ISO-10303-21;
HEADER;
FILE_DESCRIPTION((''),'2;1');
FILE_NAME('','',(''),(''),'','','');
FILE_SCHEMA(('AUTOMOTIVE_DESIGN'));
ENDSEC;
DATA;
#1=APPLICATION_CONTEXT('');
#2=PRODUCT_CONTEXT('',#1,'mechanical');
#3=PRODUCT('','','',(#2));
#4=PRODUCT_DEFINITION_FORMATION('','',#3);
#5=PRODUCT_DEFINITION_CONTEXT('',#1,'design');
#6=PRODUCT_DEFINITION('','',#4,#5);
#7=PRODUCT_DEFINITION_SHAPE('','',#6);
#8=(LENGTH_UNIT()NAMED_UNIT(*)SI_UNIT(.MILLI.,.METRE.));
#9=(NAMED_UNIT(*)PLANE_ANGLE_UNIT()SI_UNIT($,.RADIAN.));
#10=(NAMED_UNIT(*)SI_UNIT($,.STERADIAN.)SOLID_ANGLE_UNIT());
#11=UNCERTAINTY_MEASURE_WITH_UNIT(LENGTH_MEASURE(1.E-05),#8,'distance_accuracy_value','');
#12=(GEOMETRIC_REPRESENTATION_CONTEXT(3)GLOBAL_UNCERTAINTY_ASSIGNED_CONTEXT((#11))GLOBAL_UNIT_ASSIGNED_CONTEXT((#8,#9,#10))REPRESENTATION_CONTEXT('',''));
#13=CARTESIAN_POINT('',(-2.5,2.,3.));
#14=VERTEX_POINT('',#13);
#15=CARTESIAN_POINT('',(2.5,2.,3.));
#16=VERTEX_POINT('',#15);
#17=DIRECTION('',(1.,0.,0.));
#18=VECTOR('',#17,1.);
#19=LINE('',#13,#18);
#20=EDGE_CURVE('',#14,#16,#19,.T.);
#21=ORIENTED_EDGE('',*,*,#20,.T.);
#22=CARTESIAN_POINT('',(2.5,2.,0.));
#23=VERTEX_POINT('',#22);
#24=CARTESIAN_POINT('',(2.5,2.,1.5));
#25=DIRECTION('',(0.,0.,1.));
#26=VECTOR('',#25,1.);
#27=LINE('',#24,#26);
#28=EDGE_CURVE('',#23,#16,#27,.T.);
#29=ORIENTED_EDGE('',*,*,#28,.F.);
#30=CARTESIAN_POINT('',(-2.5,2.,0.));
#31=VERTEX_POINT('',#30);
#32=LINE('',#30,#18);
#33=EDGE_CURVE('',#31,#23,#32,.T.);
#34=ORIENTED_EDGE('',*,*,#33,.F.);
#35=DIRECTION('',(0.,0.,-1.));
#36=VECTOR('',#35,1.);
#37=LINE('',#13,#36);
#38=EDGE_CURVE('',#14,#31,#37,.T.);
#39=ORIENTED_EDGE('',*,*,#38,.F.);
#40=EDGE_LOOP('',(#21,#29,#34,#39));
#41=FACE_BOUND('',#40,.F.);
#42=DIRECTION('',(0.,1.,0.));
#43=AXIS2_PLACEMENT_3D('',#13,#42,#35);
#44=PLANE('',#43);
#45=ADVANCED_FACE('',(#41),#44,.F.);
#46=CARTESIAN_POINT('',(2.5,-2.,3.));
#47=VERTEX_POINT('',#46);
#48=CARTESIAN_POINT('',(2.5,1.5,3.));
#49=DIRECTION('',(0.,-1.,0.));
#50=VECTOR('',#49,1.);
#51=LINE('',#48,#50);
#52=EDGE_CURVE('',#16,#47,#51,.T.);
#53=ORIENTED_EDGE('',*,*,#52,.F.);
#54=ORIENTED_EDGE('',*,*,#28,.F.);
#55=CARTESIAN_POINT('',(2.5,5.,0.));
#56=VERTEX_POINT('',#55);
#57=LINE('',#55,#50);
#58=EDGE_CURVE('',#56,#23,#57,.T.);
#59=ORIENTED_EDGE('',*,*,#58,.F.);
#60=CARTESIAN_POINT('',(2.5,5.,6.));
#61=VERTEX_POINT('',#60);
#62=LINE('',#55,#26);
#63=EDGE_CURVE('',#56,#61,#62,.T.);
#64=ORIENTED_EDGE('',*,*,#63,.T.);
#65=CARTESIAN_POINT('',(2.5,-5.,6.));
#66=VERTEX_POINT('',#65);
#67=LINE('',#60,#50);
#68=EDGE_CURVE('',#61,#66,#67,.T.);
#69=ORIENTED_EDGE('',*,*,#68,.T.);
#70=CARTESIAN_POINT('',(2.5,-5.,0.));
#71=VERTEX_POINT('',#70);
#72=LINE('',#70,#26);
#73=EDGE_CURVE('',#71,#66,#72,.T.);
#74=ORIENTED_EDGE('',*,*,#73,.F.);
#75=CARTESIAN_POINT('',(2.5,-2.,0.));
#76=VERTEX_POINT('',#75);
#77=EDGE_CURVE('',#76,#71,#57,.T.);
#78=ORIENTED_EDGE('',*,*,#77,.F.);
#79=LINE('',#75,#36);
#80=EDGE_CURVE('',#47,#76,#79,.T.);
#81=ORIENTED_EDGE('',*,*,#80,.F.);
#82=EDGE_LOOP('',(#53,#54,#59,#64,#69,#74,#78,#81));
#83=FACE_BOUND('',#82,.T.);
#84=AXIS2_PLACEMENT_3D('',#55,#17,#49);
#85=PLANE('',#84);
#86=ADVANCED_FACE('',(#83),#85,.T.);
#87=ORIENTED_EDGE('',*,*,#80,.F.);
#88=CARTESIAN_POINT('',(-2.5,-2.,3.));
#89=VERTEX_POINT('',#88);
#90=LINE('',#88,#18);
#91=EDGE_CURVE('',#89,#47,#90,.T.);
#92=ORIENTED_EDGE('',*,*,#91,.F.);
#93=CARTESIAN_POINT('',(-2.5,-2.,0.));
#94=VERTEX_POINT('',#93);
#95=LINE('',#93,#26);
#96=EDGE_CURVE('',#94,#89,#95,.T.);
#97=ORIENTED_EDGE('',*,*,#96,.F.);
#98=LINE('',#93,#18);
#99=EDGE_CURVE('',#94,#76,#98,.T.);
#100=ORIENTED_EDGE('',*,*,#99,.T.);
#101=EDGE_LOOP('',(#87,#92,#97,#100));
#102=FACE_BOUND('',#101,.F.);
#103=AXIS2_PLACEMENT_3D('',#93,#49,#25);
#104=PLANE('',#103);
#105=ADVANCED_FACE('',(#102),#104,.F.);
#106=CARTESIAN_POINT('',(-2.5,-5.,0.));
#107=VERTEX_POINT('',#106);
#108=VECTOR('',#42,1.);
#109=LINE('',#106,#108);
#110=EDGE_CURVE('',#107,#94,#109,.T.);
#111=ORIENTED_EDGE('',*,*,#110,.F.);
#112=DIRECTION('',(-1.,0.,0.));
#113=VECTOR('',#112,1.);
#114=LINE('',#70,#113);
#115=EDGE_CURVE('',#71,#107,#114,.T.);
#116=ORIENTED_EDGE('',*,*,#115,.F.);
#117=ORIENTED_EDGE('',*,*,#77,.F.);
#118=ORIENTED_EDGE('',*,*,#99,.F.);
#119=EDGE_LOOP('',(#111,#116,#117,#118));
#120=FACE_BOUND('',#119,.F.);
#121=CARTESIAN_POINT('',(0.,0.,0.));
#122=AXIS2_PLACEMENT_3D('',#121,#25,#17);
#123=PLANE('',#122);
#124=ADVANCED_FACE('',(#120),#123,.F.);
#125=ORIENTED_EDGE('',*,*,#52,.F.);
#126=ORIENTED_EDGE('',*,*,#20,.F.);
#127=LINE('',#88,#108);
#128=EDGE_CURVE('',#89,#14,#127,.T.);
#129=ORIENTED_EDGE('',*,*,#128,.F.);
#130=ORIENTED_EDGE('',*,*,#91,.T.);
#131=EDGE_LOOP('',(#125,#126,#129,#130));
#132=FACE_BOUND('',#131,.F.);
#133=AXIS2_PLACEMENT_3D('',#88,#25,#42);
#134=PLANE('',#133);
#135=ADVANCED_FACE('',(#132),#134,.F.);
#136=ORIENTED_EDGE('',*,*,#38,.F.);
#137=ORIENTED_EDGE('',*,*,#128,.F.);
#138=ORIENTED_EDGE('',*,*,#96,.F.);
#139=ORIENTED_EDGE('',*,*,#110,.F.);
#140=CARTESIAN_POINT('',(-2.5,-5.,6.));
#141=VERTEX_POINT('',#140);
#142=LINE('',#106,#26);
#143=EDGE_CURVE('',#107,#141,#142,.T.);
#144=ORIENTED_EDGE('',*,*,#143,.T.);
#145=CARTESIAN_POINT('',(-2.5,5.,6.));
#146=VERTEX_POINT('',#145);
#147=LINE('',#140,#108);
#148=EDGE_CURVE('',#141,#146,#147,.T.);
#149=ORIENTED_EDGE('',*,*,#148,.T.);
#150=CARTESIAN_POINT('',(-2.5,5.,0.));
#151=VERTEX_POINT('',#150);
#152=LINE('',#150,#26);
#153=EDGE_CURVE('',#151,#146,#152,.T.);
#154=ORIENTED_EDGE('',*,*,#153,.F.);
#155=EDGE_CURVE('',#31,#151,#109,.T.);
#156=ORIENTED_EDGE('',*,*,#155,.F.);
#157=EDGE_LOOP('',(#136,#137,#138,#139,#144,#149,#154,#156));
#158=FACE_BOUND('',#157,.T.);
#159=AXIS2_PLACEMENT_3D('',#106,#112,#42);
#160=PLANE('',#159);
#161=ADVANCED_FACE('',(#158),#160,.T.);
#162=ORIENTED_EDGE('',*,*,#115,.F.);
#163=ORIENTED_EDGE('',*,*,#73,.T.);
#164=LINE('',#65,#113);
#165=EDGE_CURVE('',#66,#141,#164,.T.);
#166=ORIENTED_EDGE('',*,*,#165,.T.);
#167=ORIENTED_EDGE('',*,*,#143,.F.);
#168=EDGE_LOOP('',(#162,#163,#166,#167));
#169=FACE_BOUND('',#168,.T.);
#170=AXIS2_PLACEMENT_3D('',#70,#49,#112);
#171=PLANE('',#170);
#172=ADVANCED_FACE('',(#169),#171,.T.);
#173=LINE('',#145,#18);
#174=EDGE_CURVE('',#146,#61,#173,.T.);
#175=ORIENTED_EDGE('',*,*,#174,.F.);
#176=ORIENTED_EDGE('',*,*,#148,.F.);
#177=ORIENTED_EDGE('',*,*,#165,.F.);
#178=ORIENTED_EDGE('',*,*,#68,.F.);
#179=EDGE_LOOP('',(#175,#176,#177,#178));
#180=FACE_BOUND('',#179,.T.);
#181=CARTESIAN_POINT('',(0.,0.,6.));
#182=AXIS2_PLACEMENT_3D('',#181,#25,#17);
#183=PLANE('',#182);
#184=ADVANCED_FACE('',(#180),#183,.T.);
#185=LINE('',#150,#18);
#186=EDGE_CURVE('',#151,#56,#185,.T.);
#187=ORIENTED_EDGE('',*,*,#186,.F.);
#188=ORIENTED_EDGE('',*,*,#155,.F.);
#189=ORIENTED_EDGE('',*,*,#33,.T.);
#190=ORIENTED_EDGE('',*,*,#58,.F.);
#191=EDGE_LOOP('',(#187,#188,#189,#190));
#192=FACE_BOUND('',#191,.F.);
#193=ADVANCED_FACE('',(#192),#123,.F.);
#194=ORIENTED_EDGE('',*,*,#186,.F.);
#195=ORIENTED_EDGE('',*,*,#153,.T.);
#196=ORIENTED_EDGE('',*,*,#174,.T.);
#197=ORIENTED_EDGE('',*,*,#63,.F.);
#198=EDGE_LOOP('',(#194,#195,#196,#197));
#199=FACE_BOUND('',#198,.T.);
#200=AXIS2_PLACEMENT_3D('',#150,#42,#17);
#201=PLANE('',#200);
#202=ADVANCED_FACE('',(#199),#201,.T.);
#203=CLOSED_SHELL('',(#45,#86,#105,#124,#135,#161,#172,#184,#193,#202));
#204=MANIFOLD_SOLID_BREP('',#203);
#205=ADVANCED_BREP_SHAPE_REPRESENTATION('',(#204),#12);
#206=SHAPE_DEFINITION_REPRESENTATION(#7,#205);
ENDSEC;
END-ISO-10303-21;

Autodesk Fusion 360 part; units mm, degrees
sketch "Sketch1" plane through (0, 0, 0) normal (0, 0, 1) x (1, 0, 0)
  line L0 (-2.5, 5) -> (2.5, 5)
  line L1 (2.5, 5) -> (2.5, -5)
  line L2 (2.5, -5) -> (-2.5, -5)
  line L3 (-2.5, -5) -> (-2.5, 5)
  line L4 (-2.5, 5) -> (2.5, -5) construction
  line L5 (2.5, 5) -> (-2.5, -5) construction
  dimension "d1" = 5
  dimension "d2" = 10
extrude "Extrude1" add sketch "Sketch1" along normal blind 6
ref_plane "WorkPlane1" through (-2.5, 0, 3) normal (-1, 0, 0) x (0, -1, 0)
sketch "Sketch2" plane through (-2.5, 0, 0) normal (-1, 0, 0) x (0, -1, 0)
  line L0 (-2, 0) -> (2, 0)
  line L1 (2, 0) -> (2, 3)
  line L2 (2, 3) -> (-2, 3)
  line L3 (-2, 3) -> (-2, 0)
  dimension "d6" = 4
  dimension "d7" = 3
extrude "Extrude2" cut sketch "Sketch2" against normal blind 6
